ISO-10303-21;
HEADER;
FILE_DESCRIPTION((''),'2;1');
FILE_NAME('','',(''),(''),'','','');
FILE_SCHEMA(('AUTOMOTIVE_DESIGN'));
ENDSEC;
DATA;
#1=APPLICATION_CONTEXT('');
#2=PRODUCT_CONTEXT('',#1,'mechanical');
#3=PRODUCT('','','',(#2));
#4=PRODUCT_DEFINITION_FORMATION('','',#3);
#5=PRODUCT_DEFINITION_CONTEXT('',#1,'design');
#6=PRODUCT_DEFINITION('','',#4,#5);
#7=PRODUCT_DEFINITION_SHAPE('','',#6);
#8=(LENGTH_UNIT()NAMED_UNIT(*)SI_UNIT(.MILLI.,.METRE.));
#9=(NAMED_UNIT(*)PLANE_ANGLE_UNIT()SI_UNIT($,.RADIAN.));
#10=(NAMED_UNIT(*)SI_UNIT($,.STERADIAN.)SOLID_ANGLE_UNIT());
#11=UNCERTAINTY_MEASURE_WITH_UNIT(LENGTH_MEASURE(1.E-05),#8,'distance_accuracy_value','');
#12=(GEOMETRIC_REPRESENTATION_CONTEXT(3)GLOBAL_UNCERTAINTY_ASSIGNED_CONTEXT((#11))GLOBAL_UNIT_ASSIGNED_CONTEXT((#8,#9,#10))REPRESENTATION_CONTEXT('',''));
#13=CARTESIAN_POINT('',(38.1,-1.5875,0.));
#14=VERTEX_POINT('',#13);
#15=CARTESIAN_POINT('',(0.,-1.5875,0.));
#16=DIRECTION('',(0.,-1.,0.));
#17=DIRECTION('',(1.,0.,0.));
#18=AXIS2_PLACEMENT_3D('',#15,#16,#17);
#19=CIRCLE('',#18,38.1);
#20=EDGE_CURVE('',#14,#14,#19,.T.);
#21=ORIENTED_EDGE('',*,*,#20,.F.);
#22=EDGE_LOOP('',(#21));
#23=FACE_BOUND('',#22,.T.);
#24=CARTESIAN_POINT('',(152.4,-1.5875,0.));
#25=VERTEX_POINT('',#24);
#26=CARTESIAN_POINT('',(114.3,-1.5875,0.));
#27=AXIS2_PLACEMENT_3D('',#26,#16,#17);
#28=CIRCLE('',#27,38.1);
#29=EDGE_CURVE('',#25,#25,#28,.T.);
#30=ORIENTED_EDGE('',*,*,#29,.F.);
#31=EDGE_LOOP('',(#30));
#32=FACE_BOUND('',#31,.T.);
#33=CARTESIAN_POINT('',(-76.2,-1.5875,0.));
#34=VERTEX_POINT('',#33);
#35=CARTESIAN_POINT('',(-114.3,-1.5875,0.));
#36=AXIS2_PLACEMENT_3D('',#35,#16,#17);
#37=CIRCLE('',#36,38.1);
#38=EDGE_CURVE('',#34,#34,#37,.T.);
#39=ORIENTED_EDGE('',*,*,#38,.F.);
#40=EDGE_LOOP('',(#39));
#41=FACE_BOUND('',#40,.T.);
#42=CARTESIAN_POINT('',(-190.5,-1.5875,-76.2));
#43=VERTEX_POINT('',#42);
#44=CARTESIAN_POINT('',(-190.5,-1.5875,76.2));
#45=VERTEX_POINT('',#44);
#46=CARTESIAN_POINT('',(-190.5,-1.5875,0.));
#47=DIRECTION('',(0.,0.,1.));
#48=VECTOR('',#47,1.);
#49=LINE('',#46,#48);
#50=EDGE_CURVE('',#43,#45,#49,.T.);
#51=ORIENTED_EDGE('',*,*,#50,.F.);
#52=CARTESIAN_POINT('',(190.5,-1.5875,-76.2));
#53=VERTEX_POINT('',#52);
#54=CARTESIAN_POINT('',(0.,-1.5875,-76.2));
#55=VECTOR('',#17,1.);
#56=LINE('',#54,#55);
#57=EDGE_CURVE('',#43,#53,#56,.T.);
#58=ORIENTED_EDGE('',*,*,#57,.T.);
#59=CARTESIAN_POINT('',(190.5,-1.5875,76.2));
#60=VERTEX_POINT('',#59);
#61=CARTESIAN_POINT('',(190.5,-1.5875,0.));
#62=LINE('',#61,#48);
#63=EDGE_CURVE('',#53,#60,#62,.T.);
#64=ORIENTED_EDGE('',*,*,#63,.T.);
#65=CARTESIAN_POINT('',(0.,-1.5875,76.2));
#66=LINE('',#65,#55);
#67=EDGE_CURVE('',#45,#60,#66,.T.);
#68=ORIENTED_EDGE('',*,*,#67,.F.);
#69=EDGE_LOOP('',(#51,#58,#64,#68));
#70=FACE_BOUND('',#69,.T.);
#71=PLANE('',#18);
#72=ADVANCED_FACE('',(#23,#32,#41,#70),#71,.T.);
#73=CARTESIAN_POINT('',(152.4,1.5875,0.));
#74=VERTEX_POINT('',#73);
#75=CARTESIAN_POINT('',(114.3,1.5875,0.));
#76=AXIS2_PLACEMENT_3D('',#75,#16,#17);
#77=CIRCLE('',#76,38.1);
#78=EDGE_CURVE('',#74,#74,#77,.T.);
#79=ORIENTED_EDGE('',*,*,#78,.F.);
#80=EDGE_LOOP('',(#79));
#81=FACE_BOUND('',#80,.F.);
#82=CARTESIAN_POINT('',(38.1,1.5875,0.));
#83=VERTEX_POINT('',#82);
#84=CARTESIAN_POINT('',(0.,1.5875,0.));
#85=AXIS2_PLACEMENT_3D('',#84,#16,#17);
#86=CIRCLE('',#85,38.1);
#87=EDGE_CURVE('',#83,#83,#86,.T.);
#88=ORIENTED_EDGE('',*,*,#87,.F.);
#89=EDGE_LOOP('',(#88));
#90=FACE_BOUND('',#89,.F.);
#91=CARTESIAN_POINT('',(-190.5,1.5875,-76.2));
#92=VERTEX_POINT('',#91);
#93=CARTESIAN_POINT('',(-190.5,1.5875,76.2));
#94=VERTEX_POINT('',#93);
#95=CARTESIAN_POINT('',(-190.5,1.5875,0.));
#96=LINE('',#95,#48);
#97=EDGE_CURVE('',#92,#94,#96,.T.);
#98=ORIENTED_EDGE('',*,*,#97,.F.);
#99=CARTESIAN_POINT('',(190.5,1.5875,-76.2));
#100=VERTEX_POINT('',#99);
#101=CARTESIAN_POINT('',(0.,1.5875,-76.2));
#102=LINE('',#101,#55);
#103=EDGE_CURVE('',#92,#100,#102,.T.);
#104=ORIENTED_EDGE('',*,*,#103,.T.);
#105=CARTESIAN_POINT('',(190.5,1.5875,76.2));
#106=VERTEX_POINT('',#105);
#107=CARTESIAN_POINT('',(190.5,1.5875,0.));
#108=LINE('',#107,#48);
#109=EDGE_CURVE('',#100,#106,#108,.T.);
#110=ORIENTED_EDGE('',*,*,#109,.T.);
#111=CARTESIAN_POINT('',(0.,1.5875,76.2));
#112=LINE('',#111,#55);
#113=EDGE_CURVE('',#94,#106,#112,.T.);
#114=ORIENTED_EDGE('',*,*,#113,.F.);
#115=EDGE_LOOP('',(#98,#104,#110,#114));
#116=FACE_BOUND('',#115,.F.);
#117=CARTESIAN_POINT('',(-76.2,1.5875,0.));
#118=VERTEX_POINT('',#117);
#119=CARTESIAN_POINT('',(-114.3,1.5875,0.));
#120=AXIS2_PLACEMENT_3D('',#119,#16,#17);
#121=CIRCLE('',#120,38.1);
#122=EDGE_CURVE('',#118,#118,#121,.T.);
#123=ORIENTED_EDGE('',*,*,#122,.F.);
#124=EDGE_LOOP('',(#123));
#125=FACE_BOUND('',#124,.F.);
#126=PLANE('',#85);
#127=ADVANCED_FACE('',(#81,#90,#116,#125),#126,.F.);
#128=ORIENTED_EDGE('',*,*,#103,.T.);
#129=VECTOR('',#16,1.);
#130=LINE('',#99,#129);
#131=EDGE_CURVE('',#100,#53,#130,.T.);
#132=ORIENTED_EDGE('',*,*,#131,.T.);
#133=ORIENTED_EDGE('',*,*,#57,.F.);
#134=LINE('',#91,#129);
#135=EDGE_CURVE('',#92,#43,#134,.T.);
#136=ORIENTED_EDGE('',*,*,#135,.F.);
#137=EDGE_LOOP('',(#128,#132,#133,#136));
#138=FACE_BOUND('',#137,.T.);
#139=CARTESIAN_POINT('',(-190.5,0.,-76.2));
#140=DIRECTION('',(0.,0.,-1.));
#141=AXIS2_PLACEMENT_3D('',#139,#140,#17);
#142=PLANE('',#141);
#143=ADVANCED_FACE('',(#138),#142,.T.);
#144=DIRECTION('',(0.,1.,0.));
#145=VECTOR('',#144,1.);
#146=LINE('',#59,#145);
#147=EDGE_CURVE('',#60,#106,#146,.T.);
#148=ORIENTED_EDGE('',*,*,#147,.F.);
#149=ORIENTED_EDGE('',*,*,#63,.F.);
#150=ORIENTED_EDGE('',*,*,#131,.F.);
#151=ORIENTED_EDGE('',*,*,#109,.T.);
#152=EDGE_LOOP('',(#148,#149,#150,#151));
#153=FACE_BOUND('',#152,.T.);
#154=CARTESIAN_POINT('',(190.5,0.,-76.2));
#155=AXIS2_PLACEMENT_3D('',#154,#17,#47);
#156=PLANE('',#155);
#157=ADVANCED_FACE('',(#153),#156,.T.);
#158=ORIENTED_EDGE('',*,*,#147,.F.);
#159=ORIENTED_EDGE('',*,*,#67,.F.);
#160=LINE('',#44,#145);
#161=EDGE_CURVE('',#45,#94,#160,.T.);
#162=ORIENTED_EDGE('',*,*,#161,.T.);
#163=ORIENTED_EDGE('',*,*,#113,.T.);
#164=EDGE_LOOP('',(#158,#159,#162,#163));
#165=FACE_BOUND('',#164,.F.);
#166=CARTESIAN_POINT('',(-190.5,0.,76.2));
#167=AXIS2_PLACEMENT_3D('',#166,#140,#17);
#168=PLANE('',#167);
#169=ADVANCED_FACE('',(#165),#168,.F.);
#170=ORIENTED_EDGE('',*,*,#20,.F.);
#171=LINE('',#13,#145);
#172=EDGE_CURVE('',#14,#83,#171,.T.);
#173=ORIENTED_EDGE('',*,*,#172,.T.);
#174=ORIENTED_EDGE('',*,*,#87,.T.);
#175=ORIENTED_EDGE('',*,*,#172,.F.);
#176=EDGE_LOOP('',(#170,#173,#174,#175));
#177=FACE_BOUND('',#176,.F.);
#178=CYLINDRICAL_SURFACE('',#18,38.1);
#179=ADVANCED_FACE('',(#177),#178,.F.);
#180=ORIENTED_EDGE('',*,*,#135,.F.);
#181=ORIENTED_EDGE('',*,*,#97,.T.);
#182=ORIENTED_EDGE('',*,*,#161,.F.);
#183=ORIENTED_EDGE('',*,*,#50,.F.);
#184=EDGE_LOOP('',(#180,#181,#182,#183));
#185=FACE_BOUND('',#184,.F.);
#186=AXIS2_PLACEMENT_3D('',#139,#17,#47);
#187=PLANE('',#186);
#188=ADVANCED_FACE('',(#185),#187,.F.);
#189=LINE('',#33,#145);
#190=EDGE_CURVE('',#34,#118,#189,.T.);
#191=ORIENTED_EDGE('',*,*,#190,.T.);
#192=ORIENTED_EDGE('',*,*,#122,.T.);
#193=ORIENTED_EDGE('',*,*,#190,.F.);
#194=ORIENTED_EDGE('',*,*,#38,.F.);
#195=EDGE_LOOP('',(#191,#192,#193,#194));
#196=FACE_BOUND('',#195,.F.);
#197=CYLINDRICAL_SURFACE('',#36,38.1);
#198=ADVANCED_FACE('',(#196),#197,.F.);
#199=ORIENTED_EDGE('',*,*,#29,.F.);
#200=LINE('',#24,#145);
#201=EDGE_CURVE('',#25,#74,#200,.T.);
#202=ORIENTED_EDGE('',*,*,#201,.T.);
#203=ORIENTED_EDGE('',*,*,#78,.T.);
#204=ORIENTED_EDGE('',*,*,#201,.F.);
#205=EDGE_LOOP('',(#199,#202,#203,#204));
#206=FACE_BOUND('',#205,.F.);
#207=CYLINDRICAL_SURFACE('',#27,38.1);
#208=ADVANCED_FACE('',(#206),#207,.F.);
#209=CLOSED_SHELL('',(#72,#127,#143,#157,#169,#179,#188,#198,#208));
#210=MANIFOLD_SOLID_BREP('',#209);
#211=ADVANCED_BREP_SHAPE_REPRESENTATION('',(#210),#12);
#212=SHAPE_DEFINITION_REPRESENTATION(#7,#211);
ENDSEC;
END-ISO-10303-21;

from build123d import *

# Parameters (mm, degrees)
F0_W     = 381
F0_H     = 152.4
F1_DEPTH = 1.5875
F2_R     = 38.1
F3_DEPTH = 3.175
F4_R     = 38.1
F5_DEPTH = 3.175
F6_R     = 38.1
F7_DEPTH = 3.175


with BuildPart() as f1:
    # F0 (on Front) → F1 (new body, symmetric)
    with BuildSketch(Plane.XZ):
        Rectangle(F0_W, F0_H)
    extrude(amount=F1_DEPTH, both=True)

    # F2 (on face) → F3 (cut)
    with BuildSketch(Plane.XZ.offset(1.5875)):
        Circle(F2_R)
    extrude(amount=-F3_DEPTH, mode=Mode.SUBTRACT)

    # F4 (on face) → F5 (cut)
    with BuildSketch(Plane.XZ.offset(1.5875)):
        with Locations((-114.3, 0)):
            Circle(F4_R)
    extrude(amount=-F5_DEPTH, mode=Mode.SUBTRACT)

    # F6 (on face) → F7 (cut)
    with BuildSketch(Plane.XZ.offset(1.5875)):
        with Locations((114.3, 0)):
            Circle(F6_R)
    extrude(amount=-F7_DEPTH, mode=Mode.SUBTRACT)


solid = f1.part
